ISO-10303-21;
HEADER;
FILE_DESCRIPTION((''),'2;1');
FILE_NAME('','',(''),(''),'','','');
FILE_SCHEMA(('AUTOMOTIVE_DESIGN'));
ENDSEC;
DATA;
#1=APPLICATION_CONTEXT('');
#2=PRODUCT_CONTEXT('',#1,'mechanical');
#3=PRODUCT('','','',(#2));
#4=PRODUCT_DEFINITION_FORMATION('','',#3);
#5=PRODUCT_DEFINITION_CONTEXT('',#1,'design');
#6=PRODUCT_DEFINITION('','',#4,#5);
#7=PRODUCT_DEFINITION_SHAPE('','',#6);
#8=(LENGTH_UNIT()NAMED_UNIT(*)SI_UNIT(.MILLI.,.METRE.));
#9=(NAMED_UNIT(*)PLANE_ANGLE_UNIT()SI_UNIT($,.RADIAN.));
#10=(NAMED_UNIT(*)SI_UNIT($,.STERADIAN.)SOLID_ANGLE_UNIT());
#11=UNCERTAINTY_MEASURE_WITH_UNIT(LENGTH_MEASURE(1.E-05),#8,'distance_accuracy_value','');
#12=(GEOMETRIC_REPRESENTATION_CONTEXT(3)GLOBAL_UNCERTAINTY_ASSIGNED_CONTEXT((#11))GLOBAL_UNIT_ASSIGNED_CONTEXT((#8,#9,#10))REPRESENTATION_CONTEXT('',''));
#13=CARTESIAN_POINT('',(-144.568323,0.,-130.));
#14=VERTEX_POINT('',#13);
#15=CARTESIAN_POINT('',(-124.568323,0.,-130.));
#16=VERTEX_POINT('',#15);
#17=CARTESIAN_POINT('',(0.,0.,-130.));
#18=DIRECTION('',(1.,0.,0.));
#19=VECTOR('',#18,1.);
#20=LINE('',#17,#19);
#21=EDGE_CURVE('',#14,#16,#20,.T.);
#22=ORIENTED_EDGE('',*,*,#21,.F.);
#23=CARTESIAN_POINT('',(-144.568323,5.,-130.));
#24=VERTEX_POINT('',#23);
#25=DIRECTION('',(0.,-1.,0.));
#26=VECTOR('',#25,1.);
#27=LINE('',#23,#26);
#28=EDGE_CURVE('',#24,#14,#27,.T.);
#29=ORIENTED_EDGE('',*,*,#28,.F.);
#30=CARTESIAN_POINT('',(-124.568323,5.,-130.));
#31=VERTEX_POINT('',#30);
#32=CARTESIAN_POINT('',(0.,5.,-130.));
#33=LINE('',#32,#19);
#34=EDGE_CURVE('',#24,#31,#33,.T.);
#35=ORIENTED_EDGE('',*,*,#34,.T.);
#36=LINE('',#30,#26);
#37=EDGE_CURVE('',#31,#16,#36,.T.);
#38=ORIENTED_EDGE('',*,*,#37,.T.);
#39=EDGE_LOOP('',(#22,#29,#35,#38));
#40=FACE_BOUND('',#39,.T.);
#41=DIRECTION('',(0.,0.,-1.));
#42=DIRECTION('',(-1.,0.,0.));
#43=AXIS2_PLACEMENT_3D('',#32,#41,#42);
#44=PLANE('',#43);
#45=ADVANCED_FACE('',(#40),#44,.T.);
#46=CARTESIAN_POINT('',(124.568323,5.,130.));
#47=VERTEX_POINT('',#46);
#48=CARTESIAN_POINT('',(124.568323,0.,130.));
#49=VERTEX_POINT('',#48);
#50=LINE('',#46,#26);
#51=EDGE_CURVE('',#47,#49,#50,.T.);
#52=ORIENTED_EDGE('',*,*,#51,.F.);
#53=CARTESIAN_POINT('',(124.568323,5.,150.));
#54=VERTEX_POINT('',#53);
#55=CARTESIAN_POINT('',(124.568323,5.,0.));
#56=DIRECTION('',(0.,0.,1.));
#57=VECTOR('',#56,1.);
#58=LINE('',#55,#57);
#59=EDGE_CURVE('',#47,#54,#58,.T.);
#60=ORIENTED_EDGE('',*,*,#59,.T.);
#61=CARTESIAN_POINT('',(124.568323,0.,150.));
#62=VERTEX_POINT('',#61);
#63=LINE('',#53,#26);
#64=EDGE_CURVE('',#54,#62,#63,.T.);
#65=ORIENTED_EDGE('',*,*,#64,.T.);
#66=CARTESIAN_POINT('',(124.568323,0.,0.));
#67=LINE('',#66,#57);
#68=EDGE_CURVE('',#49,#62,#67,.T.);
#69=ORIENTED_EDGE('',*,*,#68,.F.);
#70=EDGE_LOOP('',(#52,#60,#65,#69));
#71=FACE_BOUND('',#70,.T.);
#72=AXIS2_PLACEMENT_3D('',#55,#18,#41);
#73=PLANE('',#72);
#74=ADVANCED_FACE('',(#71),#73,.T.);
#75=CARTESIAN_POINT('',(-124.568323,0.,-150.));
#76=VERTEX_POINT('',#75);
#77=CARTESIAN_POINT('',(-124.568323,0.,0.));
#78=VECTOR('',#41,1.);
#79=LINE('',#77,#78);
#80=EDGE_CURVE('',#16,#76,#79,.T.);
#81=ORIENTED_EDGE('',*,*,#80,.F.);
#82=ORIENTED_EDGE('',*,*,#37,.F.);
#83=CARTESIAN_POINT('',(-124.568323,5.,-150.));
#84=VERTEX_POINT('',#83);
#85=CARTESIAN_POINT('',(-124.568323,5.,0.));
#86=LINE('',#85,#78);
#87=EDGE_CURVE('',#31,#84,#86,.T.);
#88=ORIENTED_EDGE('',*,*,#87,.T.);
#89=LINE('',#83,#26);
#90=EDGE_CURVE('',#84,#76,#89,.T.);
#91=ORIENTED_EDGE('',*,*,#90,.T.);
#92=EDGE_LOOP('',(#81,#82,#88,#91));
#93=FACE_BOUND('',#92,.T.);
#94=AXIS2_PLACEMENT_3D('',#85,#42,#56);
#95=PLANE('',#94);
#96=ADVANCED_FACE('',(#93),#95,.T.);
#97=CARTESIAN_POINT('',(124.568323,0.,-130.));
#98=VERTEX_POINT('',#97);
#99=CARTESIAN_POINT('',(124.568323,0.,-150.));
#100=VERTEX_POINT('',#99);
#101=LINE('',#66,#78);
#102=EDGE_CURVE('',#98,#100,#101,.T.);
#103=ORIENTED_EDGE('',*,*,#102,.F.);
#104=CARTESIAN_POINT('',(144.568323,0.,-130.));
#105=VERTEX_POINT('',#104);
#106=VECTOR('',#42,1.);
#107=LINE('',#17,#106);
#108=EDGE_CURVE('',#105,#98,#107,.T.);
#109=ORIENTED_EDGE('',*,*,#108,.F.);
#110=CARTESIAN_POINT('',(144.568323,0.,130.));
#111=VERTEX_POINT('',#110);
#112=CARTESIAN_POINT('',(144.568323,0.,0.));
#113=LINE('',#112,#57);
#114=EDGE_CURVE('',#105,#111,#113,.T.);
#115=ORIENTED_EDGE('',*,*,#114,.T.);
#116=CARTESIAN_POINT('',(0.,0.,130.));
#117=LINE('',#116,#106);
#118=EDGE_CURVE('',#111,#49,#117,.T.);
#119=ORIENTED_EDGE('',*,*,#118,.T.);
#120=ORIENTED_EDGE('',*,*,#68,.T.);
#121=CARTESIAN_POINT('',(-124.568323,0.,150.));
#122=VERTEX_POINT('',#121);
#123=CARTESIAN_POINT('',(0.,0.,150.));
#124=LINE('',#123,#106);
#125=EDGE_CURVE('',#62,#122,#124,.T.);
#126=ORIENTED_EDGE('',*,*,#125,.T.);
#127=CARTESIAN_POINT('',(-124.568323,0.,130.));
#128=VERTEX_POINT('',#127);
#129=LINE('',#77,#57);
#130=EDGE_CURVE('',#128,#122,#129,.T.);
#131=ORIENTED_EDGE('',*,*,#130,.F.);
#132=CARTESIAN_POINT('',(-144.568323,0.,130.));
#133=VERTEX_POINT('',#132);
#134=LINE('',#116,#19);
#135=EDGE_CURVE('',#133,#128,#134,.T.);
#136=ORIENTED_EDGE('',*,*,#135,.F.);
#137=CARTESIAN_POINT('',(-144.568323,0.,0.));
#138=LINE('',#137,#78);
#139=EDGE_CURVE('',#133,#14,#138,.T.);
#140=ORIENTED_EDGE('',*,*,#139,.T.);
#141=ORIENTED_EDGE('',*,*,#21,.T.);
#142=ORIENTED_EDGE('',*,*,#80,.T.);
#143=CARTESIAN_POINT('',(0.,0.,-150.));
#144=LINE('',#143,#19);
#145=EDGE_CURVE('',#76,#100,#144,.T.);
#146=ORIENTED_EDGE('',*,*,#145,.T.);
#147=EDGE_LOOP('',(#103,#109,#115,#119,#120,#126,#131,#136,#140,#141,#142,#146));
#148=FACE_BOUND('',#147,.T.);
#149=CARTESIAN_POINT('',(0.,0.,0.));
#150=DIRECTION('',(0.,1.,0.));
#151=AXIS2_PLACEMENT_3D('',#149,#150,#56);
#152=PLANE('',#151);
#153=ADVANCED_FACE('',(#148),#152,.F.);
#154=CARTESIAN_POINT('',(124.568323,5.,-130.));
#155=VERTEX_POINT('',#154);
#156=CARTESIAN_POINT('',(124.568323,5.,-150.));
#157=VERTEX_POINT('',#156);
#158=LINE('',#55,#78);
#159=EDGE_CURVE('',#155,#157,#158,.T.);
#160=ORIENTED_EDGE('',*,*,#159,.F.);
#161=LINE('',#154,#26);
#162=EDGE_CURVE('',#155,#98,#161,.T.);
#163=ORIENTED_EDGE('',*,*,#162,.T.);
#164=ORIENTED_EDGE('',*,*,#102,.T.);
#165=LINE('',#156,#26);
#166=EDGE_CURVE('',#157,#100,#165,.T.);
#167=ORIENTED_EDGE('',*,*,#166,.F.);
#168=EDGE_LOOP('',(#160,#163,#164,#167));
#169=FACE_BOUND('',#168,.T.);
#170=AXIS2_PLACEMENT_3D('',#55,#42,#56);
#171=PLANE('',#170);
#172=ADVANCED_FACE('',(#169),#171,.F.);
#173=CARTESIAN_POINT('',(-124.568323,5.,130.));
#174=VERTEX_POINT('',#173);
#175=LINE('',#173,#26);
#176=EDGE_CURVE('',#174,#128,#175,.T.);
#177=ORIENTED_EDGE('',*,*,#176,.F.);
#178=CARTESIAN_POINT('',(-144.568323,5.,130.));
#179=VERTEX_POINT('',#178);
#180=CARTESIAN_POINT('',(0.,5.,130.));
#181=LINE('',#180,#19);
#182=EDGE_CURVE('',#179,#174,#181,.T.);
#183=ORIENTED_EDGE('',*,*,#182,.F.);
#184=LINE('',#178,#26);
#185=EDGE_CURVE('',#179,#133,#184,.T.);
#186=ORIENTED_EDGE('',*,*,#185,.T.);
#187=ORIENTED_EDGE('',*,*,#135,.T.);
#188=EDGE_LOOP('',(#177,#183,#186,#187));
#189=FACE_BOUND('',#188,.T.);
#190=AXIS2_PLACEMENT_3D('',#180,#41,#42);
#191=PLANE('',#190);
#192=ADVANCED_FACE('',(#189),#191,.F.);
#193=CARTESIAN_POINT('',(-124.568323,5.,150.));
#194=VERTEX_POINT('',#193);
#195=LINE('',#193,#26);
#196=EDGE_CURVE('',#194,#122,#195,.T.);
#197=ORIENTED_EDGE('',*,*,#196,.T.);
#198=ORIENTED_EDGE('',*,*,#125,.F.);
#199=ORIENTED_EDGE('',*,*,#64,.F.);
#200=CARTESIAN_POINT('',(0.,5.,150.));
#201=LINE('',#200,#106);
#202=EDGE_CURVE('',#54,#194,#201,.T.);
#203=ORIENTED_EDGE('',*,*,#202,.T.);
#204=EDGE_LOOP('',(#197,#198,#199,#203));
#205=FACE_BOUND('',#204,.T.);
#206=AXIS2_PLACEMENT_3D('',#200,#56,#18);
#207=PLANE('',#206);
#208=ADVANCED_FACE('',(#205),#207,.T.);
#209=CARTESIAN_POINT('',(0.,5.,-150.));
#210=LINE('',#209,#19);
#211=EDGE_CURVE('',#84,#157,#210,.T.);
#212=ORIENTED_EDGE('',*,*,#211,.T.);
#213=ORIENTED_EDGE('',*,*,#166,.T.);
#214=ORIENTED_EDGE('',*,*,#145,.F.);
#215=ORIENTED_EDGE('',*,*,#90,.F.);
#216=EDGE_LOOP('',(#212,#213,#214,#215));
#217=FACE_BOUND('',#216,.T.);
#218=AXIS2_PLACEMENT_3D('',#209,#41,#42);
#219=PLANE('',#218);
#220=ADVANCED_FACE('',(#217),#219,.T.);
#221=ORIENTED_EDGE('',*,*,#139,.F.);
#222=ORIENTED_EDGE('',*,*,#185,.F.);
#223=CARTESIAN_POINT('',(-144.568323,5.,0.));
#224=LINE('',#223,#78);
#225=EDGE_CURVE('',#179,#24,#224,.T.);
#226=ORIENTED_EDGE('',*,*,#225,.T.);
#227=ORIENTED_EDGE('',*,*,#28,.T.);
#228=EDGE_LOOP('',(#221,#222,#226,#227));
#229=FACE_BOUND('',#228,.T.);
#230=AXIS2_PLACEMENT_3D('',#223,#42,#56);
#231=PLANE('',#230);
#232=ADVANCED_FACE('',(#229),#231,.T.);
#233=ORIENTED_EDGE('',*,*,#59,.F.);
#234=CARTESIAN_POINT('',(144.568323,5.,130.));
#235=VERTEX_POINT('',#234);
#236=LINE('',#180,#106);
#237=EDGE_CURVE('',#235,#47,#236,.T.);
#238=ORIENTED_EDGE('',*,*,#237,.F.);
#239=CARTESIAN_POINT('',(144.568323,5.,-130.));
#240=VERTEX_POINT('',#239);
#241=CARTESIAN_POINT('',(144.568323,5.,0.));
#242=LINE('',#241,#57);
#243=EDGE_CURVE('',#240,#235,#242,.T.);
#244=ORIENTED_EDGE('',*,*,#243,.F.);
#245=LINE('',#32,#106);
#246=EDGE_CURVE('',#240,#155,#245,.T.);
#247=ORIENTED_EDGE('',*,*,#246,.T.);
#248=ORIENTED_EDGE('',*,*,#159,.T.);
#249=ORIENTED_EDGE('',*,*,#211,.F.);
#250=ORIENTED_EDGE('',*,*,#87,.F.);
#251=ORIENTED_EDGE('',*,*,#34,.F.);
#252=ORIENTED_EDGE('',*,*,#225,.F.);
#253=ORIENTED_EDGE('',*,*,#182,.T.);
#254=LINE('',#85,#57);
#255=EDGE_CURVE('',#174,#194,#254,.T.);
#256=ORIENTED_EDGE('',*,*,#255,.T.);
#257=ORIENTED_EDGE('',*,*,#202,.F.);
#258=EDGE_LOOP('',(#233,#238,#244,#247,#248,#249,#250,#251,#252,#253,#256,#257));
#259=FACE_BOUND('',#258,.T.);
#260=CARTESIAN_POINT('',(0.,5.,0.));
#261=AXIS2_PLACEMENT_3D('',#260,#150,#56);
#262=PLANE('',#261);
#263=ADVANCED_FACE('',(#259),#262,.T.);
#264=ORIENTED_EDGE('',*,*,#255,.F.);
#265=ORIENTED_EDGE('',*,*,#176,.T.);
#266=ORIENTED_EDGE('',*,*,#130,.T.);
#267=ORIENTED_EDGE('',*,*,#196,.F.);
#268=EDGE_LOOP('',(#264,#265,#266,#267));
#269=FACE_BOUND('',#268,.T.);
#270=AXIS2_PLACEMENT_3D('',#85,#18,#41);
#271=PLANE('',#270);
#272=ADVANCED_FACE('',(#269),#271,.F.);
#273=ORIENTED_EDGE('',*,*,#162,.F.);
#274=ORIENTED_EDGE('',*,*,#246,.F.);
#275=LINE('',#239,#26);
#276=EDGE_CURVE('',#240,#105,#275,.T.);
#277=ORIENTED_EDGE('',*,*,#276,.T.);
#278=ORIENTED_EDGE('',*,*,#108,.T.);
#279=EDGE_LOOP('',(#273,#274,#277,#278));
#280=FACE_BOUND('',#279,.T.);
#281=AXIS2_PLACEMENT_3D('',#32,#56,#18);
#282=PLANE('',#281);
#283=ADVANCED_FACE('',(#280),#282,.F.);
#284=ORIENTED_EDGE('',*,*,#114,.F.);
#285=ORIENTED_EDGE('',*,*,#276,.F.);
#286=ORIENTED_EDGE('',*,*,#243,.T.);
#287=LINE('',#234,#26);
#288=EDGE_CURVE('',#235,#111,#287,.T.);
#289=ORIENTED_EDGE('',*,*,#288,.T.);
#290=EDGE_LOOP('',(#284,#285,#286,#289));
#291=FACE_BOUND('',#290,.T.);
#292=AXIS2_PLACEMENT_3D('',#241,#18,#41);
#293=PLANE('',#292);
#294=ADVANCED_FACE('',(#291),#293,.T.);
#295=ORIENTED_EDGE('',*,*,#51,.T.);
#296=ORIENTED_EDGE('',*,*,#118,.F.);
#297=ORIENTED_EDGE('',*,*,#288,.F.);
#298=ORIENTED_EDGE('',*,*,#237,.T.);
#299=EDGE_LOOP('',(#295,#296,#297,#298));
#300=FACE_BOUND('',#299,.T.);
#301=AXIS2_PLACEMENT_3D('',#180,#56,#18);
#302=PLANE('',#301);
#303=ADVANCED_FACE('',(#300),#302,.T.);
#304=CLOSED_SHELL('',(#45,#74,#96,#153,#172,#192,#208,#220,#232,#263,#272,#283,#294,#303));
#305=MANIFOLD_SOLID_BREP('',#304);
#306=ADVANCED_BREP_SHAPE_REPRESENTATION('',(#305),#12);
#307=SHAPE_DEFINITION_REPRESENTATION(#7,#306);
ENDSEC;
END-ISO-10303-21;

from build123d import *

# Parameters (mm, degrees)
BOSS_EXTRU_1_DEPTH = 5


with BuildPart() as part:
    # Esquisse1 → Boss.-Extru.1 (new body)
    with BuildSketch(Plane(origin=(0, 0, 0), x_dir=(1, 0, 0), z_dir=(0, 1, 0))):
        Polygon((144.568322948, 130), (124.568322948, 130), (124.568322948, 150), (-124.568322948, 150), (-124.568322948, 130), (-144.568322948, 130), (-144.568322948, -130), (-124.568322948, -130), (-124.568322948, -150), (124.568322948, -150), (124.568322948, -130), (144.568322948, -130), align=None)
    extrude(amount=BOSS_EXTRU_1_DEPTH)


solid = part.part
